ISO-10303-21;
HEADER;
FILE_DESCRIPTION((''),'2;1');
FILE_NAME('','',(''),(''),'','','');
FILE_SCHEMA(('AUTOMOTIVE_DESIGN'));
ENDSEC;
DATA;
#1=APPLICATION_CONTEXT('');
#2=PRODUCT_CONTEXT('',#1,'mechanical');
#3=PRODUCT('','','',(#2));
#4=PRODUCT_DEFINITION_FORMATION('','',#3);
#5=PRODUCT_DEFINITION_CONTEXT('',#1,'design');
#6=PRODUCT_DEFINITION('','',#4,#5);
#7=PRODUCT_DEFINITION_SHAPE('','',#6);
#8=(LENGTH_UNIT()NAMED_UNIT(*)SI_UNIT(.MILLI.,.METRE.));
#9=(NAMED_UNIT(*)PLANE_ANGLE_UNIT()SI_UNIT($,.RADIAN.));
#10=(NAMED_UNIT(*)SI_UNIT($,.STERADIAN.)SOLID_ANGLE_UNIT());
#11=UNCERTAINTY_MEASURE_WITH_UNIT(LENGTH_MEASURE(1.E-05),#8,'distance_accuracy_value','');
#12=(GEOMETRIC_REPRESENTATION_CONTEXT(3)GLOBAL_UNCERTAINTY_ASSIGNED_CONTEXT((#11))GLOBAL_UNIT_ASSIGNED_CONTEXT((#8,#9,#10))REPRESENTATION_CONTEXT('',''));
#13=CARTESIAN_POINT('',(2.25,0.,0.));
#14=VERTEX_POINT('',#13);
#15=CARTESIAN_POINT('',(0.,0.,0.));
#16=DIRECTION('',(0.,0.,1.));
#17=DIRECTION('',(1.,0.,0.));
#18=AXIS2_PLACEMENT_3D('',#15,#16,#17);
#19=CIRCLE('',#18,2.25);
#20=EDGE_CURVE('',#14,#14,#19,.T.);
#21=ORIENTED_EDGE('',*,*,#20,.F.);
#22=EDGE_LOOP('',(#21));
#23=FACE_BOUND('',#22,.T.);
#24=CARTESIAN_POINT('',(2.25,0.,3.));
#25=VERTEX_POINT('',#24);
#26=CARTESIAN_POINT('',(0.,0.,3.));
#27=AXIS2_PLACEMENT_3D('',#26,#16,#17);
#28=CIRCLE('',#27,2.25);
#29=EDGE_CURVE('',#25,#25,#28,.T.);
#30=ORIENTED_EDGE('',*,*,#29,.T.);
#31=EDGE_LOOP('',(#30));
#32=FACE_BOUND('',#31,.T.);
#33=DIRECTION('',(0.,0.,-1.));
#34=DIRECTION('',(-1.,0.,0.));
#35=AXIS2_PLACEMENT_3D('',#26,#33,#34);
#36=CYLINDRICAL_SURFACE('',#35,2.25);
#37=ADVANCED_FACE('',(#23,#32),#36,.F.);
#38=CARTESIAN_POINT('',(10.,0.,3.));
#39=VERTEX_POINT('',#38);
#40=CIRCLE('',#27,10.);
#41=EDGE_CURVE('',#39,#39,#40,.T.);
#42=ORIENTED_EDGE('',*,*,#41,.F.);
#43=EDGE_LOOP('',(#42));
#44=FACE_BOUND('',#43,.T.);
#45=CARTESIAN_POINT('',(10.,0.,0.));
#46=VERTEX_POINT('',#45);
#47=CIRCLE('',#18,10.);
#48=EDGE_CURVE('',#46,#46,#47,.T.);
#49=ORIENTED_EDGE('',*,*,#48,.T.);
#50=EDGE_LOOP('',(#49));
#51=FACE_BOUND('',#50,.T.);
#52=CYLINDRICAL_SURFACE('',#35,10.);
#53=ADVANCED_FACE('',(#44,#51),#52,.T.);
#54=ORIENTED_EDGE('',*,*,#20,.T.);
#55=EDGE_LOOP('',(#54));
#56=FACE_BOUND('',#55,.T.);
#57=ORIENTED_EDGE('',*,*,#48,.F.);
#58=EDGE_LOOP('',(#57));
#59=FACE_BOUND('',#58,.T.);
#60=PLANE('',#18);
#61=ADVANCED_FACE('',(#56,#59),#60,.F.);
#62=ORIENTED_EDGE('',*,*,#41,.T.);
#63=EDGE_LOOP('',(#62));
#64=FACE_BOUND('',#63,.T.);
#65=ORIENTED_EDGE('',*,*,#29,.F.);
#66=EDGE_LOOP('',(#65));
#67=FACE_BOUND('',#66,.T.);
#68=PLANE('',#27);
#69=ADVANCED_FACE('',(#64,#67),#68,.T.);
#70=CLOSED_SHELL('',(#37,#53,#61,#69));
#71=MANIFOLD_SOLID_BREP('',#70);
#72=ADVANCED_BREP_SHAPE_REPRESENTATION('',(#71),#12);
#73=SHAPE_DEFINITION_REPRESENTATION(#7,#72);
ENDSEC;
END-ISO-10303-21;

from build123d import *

# Parameters (mm, degrees)
SKETCH1_R           = 10
SKETCH1_R_2         = 2.25
BOSS_EXTRUDE1_DEPTH = 3


with BuildPart() as part:
    # Sketch1 → Boss-Extrude1 (new body)
    with BuildSketch(Plane.XY):
        Circle(SKETCH1_R)
        Circle(SKETCH1_R_2, mode=Mode.SUBTRACT)
    extrude(amount=BOSS_EXTRUDE1_DEPTH)


solid = part.part
